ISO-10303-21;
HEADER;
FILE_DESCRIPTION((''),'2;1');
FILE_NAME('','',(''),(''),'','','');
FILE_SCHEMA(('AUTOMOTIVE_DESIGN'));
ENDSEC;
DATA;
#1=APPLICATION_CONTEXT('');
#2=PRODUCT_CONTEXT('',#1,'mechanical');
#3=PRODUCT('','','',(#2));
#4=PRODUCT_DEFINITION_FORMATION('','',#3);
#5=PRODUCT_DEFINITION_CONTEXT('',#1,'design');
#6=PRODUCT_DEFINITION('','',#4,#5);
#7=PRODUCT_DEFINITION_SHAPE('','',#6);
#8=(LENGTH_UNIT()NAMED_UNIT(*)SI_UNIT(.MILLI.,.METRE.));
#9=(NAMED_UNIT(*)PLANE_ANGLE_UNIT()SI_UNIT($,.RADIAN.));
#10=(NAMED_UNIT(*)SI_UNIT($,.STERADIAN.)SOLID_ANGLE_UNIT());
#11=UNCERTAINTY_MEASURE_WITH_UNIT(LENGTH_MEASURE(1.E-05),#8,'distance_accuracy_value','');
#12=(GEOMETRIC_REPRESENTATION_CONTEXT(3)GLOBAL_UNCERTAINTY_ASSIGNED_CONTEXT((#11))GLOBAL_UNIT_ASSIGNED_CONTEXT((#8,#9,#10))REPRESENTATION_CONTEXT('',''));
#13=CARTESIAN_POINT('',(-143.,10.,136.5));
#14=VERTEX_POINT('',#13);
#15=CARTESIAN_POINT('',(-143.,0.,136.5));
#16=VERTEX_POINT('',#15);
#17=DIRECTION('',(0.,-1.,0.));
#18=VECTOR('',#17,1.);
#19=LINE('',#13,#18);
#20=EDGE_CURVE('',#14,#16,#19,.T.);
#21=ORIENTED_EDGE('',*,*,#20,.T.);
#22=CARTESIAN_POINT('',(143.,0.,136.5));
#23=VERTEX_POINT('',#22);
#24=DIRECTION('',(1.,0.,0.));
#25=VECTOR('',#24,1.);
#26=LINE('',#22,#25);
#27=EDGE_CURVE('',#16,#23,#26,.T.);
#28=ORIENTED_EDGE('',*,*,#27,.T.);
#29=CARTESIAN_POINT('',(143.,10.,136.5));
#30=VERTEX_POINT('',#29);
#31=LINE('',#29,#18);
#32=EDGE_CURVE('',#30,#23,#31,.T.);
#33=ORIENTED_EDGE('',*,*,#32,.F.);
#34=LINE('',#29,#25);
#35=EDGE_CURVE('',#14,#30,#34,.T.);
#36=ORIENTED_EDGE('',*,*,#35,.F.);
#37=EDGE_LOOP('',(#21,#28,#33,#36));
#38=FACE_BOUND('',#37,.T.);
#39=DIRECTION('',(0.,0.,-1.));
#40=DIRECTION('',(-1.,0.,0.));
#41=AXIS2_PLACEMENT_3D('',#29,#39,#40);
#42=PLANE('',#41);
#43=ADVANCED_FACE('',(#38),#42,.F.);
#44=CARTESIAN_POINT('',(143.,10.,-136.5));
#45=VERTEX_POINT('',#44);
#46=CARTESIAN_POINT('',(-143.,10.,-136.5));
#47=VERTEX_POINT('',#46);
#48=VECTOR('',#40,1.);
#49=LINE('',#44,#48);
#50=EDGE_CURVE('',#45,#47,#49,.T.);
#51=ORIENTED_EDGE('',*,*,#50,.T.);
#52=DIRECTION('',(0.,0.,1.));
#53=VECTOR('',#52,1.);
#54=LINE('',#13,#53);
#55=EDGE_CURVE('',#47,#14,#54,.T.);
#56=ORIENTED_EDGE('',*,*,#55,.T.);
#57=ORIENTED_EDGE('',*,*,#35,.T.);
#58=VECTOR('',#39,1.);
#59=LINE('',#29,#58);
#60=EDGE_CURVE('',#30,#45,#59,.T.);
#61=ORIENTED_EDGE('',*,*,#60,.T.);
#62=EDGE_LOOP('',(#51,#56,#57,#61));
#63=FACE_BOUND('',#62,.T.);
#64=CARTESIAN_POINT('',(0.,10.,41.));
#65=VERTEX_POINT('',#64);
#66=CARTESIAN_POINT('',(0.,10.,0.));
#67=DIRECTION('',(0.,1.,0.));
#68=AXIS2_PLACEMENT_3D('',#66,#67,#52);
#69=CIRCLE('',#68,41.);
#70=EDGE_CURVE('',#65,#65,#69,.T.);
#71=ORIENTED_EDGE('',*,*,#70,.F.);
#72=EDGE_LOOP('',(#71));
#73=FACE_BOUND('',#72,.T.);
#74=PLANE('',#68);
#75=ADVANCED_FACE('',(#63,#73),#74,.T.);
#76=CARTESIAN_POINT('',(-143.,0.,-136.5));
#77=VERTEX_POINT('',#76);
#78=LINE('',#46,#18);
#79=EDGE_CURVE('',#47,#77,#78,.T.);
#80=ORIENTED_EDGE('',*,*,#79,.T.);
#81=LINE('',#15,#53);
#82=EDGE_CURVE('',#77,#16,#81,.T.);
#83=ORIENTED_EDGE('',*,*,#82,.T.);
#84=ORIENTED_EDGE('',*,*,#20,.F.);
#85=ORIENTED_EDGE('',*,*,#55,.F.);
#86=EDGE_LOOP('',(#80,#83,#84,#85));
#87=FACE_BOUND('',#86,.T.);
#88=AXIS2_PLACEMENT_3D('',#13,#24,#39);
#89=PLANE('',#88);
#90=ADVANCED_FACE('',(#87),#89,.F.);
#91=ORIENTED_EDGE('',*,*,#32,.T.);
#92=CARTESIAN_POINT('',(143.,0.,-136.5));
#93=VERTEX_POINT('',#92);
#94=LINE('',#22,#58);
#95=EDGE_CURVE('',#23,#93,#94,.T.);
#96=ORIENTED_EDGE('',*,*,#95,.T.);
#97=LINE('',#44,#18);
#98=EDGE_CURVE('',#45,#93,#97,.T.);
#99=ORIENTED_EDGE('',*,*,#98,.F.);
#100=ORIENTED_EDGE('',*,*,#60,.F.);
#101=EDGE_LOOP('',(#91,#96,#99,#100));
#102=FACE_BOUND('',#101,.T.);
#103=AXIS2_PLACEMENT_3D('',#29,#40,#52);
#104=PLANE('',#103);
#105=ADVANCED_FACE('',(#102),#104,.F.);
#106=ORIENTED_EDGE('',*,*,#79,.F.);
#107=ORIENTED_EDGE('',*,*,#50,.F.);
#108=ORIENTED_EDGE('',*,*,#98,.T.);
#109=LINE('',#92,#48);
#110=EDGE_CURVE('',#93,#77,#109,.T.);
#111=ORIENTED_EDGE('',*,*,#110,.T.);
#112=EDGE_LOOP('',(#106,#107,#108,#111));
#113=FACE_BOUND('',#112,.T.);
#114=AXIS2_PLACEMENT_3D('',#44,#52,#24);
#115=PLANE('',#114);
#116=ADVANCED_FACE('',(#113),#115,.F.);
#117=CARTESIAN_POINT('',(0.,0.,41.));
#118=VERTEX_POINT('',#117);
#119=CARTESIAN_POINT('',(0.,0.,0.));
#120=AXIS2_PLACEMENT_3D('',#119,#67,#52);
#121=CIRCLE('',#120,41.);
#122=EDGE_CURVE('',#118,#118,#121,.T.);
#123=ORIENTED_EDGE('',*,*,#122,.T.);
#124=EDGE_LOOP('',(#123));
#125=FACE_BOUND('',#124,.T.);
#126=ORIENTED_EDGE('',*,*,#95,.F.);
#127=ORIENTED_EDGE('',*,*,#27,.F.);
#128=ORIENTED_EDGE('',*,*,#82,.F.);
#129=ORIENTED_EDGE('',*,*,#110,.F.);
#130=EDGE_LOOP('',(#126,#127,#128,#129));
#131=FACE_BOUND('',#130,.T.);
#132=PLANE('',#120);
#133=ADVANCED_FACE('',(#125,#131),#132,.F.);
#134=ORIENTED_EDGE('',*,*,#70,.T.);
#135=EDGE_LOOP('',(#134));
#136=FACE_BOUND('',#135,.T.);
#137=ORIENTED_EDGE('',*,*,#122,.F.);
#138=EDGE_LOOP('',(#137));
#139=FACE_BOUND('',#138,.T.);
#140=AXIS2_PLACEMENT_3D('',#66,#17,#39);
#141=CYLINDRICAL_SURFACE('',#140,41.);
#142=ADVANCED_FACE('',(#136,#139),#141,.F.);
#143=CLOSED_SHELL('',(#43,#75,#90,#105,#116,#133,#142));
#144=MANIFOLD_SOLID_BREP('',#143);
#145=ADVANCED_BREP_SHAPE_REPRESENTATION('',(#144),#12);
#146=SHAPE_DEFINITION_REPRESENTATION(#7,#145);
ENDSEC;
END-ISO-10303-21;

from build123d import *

# Parameters (mm, degrees)
CROQUIS1_W              = 286
CROQUIS1_H              = 273
CROQUIS1_R              = 41
SALIENTE_EXTRUIR1_DEPTH = 10


with BuildPart() as part:
    # Croquis1 → Saliente-Extruir1 (new body)
    with BuildSketch(Plane(origin=(0, 0, 0), x_dir=(1, 0, 0), z_dir=(0, 1, 0))):
        Rectangle(CROQUIS1_W, CROQUIS1_H)
        Circle(CROQUIS1_R, mode=Mode.SUBTRACT)
    extrude(amount=SALIENTE_EXTRUIR1_DEPTH)


solid = part.part
